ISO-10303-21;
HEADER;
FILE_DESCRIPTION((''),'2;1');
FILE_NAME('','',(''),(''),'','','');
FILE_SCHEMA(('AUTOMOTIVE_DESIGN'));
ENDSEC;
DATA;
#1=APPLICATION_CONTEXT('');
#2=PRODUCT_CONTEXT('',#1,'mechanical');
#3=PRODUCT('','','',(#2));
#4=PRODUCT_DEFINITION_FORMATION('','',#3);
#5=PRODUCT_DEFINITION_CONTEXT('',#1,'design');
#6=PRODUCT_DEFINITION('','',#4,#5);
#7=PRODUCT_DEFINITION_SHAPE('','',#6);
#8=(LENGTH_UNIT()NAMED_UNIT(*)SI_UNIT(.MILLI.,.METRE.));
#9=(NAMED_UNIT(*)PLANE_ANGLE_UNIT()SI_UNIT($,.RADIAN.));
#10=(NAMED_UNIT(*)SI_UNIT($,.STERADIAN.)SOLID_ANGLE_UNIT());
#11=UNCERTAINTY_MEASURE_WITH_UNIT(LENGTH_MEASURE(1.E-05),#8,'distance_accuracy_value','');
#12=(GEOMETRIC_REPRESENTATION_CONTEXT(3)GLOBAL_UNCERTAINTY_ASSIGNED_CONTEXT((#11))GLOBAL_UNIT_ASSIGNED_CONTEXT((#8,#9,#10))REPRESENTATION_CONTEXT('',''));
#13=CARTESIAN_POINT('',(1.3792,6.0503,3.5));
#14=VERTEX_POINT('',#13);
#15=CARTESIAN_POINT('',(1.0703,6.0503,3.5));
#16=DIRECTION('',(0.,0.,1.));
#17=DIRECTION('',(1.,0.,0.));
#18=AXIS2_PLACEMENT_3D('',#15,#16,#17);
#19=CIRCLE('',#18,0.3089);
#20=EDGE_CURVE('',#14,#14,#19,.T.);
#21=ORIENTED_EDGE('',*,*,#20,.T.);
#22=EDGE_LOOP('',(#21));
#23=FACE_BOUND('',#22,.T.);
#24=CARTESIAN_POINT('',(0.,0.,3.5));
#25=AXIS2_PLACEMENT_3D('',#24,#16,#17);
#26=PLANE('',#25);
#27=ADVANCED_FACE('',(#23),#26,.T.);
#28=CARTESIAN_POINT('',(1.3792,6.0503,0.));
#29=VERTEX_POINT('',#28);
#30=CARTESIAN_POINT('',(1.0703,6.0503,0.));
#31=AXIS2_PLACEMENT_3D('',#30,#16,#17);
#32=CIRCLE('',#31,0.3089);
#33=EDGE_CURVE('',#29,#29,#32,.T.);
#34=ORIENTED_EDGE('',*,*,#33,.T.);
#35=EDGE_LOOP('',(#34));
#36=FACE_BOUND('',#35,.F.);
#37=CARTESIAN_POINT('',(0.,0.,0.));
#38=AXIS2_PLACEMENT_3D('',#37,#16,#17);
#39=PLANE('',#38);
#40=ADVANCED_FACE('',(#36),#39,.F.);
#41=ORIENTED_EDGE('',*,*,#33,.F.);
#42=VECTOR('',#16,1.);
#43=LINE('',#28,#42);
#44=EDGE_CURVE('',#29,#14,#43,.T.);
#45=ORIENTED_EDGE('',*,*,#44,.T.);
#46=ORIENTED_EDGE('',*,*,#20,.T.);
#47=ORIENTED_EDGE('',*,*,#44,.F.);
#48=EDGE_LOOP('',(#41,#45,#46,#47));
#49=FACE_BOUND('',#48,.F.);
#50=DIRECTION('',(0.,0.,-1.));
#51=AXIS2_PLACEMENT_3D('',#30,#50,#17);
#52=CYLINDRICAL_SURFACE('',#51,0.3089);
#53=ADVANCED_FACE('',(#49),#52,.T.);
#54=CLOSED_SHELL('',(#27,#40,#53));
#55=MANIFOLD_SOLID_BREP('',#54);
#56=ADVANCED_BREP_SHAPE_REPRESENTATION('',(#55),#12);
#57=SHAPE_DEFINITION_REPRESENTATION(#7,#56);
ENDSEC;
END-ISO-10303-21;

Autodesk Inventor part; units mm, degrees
ref_plane "YZ Plane" through (0, 0, 0) normal (1, 0, 0) x (0, 1, 0)
ref_plane "XZ Plane" through (0, 0, 0) normal (0, 1, 0) x (-1, 0, 0)
ref_plane "XY Plane" through (0, 0, 0) normal (0, 0, 1) x (1, 0, 0)
sketch "Sketch1" plane through (0, 0, 0) normal (0, 0, 1) x (1, 0, 0)
  circle A0 centre (1.0703, 6.0503) radius 0.3089
  point P0 (0, 0)
  dimension "d0" = 3.5
extrude "Extrusion1" add sketch "Sketch1" along normal blind 3.5
properties part number "18"
